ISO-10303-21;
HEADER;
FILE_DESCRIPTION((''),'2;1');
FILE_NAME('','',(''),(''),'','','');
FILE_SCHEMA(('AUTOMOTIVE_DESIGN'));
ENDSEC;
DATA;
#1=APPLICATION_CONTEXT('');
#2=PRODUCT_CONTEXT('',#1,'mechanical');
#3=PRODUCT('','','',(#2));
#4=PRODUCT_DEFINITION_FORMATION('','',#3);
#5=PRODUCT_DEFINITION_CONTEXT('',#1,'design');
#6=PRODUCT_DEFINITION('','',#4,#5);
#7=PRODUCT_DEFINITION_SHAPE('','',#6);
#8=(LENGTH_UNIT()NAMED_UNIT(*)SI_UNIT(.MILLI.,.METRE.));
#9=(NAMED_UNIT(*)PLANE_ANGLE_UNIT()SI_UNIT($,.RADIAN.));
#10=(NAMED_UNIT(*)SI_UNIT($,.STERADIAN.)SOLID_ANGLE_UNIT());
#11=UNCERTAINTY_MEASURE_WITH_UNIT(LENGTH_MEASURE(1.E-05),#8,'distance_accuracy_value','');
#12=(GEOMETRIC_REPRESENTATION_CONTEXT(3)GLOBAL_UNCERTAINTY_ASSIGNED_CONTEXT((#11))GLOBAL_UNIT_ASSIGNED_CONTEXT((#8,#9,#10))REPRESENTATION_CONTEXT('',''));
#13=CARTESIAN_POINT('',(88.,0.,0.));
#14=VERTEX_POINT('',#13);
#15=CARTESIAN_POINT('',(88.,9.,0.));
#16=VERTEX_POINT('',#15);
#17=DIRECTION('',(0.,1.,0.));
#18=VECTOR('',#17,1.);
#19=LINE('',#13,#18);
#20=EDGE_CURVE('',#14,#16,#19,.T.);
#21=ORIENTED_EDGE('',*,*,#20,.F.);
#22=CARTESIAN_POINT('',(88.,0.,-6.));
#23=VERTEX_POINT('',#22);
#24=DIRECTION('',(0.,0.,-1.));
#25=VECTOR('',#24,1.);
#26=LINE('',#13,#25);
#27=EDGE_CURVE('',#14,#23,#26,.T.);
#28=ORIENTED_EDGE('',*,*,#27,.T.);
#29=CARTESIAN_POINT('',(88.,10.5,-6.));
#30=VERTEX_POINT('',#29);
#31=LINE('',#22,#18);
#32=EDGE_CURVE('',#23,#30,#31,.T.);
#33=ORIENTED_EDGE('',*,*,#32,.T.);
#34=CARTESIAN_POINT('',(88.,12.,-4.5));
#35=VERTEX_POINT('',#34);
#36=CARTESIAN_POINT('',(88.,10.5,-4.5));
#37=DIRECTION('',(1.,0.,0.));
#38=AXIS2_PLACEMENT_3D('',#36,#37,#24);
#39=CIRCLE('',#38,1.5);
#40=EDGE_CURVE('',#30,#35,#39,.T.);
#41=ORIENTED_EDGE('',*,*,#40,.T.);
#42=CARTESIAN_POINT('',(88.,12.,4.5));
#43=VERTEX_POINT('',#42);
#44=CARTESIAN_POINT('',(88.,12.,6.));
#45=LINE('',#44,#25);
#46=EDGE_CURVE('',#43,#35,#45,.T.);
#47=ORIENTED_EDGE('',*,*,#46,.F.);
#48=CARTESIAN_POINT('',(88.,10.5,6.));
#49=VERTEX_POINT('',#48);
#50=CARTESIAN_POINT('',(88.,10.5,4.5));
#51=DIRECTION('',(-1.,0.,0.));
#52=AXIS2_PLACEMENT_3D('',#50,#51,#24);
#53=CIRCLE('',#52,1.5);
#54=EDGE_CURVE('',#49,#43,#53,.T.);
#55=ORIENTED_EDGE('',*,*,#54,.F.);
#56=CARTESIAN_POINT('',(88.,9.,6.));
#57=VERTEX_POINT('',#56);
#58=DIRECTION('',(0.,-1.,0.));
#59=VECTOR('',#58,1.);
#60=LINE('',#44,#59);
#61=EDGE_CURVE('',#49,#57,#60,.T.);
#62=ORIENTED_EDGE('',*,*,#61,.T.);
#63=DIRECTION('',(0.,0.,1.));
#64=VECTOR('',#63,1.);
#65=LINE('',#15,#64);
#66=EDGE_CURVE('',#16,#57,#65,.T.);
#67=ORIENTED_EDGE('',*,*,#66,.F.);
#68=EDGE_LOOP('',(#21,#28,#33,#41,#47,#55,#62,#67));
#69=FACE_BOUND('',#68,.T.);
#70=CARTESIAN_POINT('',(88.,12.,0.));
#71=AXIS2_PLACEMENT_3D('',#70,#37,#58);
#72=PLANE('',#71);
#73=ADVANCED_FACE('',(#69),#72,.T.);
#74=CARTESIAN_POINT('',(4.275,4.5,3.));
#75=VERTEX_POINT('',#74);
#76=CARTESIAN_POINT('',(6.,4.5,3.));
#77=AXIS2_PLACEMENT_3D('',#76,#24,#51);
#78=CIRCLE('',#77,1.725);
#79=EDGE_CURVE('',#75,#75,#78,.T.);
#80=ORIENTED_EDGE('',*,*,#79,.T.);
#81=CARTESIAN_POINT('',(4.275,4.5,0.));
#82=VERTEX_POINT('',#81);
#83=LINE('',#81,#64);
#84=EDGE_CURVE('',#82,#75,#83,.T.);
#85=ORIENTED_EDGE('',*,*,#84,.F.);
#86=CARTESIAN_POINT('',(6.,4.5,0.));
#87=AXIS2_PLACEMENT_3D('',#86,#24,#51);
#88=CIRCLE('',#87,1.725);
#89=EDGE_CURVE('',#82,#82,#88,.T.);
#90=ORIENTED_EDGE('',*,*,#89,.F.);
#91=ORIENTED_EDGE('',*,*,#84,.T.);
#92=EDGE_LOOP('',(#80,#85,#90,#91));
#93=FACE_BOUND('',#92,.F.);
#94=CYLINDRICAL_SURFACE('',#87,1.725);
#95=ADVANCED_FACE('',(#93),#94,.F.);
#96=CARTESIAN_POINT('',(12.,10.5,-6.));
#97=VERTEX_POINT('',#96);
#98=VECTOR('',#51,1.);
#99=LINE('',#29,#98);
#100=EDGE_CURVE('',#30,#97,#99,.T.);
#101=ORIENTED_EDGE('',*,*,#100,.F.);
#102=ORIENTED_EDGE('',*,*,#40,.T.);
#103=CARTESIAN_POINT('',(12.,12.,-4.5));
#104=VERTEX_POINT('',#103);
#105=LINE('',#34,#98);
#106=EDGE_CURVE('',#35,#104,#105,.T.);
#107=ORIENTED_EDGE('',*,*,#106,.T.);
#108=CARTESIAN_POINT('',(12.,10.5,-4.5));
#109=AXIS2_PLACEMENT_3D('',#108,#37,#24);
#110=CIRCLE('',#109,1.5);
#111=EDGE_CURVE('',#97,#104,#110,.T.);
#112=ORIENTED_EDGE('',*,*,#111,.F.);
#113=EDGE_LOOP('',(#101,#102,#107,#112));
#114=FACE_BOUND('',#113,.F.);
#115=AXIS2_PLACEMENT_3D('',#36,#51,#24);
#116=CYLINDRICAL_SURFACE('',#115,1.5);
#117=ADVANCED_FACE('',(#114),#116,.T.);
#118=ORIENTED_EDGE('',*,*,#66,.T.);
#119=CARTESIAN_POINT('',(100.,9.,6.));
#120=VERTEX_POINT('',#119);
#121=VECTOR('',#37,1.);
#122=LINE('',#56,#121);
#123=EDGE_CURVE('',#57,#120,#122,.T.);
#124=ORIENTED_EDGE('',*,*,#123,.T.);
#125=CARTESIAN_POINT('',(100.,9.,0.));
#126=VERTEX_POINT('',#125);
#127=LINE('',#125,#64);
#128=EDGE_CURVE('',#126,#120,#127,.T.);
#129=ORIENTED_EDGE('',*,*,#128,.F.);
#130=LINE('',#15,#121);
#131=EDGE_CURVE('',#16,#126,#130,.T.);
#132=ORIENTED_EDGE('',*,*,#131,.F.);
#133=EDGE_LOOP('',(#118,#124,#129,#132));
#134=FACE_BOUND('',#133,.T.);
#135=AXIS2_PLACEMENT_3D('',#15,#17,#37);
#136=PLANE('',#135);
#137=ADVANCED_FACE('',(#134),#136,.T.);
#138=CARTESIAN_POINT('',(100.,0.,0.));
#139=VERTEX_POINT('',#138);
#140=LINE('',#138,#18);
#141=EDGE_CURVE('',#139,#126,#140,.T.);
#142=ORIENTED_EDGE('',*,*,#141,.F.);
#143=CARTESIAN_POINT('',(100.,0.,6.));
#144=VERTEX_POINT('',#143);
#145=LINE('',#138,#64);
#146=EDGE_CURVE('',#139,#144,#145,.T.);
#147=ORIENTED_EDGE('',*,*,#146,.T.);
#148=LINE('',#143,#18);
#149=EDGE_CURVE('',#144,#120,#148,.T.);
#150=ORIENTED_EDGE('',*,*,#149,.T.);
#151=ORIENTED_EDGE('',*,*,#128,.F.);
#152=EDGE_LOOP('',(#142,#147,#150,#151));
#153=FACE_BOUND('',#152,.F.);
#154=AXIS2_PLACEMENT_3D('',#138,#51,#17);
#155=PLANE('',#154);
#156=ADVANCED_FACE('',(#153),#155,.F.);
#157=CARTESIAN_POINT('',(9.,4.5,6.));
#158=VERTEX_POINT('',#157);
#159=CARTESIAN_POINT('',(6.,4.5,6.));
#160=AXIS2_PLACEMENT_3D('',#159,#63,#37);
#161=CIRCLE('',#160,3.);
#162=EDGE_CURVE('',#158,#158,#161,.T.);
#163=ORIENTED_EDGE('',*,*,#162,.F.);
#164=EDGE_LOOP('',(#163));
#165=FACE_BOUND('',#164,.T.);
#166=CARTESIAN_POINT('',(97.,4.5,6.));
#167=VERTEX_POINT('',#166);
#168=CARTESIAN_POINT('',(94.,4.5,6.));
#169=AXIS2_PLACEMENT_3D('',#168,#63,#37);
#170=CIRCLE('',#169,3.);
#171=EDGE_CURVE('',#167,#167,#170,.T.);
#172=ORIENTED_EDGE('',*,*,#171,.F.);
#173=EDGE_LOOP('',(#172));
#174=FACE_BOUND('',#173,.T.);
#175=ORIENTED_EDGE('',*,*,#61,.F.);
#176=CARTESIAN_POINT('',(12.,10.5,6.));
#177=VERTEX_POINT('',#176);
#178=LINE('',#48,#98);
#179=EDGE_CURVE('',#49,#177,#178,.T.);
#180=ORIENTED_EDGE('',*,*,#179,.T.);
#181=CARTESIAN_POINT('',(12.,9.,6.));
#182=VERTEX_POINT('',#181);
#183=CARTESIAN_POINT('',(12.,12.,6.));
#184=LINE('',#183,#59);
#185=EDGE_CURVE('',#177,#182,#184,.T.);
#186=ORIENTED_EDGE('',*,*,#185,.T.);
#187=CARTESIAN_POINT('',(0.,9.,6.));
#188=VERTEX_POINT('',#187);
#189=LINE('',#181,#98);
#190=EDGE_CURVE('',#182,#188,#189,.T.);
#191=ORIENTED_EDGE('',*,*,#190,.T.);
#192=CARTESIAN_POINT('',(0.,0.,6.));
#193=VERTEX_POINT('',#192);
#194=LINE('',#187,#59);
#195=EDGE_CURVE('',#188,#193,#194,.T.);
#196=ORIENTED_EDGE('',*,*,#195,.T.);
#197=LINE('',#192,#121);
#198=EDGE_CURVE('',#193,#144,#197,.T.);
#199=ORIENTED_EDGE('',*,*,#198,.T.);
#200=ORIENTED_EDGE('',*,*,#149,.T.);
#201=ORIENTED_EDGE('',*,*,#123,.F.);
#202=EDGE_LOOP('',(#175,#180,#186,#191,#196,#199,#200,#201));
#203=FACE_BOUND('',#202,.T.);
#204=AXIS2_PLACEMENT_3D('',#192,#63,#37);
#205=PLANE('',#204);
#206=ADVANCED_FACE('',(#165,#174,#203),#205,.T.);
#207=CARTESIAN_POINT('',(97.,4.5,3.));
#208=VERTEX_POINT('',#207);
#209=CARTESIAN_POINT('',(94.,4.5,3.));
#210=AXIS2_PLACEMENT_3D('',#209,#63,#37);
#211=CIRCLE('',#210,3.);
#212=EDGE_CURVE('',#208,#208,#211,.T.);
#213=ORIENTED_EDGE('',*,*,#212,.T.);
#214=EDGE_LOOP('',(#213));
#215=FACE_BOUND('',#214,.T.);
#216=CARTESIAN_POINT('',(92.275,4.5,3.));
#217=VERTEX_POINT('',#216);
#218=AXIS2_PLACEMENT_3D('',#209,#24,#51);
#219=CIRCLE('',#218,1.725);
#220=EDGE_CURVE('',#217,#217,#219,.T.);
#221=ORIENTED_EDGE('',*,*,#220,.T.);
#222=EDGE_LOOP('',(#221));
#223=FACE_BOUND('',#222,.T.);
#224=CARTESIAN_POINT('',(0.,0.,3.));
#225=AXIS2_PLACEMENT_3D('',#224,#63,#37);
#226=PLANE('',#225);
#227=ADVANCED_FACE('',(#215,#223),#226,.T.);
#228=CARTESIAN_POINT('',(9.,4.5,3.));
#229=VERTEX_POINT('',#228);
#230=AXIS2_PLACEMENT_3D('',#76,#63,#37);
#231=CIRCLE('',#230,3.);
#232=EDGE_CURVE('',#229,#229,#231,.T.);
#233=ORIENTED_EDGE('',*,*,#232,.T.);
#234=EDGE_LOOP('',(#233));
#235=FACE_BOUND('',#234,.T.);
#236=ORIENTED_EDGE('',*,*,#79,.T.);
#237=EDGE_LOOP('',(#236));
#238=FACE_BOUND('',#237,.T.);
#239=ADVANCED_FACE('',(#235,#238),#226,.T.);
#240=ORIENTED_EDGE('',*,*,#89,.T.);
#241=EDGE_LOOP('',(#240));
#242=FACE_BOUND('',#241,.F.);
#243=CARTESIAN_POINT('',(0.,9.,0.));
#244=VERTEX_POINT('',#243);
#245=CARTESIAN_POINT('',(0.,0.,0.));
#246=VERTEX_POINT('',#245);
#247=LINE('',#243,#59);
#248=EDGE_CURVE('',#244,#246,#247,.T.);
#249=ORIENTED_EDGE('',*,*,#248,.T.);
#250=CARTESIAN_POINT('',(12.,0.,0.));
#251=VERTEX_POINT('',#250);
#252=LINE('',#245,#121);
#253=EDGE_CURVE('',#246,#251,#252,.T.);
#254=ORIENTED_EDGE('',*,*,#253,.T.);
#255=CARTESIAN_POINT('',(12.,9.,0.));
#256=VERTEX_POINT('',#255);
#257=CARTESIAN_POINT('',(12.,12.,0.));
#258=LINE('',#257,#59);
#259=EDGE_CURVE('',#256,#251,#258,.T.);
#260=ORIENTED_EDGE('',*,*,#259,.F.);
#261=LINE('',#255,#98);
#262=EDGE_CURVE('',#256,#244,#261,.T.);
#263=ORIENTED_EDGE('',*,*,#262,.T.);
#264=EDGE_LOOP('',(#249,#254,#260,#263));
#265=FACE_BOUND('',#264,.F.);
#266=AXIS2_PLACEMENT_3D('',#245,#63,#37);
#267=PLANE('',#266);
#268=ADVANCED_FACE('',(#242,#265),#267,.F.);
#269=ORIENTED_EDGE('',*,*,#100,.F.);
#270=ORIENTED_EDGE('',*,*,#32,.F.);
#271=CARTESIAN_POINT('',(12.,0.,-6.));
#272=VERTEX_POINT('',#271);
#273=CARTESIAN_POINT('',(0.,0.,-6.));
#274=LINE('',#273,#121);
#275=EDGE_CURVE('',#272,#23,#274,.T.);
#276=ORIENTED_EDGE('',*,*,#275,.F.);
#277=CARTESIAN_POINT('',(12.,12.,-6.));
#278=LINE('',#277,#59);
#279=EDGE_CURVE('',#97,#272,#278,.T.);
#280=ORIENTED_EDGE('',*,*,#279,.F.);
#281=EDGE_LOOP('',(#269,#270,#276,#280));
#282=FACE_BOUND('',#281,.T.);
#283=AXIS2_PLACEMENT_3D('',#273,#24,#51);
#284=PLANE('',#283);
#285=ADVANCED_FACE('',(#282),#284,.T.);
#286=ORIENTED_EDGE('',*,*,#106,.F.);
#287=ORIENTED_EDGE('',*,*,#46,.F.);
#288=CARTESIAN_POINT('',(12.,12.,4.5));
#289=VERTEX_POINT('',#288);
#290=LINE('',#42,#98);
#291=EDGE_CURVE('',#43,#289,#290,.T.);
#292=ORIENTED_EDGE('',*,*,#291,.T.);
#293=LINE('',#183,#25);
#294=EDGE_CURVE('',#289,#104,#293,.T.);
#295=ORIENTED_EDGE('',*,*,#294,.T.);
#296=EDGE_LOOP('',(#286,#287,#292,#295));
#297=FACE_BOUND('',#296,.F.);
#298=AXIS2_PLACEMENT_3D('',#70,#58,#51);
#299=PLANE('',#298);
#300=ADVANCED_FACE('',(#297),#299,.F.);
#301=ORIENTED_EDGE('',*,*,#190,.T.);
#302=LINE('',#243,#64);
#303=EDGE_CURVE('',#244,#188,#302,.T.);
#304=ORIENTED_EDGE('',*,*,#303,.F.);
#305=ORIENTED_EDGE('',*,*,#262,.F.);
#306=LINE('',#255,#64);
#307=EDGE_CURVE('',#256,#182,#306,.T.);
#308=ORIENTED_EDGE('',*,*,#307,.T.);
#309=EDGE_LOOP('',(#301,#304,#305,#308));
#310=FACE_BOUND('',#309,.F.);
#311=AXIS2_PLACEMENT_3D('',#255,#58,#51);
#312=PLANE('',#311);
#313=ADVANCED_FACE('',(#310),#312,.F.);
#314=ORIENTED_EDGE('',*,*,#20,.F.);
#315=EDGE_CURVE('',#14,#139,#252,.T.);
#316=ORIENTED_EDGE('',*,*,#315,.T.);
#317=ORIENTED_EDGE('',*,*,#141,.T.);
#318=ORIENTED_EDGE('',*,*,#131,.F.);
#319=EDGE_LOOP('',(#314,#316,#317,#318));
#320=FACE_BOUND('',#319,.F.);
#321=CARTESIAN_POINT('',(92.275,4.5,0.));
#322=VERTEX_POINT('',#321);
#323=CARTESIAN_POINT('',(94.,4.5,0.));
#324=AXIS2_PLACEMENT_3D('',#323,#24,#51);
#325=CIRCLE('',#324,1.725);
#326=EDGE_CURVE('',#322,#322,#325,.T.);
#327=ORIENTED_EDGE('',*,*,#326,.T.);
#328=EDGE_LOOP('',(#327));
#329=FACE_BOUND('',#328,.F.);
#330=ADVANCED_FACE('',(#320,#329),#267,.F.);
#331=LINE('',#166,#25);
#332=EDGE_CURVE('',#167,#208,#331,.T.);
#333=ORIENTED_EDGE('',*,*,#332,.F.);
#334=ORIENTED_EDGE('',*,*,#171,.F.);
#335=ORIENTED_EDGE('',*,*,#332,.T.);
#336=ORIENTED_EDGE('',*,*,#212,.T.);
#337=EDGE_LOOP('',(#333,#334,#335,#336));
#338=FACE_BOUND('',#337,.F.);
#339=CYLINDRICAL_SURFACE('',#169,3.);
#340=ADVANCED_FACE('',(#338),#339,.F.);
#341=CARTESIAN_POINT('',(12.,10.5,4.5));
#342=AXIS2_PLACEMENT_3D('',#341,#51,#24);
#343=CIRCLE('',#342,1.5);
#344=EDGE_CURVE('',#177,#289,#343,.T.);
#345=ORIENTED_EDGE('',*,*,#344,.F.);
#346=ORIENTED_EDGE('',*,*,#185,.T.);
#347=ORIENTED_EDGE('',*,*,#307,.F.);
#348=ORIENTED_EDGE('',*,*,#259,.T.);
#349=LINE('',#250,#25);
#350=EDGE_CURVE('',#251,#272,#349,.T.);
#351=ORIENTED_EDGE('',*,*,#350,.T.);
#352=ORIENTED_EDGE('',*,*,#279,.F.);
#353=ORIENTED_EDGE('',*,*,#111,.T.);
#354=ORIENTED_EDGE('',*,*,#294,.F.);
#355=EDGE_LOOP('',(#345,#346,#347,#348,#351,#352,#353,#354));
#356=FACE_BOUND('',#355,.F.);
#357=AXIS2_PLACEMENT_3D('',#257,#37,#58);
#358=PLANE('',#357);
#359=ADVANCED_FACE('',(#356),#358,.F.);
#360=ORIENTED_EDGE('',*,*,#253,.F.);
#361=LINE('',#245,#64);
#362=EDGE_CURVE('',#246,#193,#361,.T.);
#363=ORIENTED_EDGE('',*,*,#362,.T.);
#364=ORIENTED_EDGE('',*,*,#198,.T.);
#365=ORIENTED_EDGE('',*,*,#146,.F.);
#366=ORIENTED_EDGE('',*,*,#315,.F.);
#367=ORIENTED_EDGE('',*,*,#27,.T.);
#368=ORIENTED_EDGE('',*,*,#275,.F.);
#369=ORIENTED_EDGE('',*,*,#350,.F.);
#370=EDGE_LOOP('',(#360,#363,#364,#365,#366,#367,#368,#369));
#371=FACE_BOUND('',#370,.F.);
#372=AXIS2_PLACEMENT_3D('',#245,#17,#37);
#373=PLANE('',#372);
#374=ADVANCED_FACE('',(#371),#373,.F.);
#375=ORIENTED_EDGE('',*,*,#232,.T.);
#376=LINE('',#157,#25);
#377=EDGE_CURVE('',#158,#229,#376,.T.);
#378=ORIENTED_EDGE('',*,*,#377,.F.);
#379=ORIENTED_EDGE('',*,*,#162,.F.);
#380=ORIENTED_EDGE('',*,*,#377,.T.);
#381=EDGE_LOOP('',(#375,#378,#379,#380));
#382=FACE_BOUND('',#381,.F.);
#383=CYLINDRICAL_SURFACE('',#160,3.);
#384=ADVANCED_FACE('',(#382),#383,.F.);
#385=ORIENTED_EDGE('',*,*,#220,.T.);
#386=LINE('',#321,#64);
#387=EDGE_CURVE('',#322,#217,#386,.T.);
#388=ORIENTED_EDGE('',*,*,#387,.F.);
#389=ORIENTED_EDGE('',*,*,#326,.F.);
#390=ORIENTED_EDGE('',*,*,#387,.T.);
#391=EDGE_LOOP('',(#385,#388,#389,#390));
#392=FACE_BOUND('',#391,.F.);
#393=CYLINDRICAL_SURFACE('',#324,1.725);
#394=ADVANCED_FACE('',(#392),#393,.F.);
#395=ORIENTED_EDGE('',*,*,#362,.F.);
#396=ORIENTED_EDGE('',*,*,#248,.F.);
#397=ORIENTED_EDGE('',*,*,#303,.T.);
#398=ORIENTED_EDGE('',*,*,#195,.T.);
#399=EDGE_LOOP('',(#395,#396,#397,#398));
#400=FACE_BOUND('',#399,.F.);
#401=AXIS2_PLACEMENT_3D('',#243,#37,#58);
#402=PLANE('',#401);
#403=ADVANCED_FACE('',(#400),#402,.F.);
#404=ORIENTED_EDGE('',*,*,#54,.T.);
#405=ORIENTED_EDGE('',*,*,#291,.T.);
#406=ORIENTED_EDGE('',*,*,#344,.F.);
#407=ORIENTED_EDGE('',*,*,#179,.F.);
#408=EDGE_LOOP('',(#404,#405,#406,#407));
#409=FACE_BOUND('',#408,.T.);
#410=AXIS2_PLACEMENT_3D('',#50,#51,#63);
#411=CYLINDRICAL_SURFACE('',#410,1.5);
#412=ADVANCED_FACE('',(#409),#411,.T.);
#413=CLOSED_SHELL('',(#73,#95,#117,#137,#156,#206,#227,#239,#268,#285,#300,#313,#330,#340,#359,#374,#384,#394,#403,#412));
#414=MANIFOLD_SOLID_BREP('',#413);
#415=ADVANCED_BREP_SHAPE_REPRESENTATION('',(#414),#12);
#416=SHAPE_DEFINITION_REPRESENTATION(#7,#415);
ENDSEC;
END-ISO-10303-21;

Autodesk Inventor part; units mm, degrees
ref_plane "YZ Plane" through (0, 0, 0) normal (1, 0, 0) x (0, 1, 0)
ref_plane "XZ Plane" through (0, 0, 0) normal (0, 1, 0) x (-1, 0, 0)
ref_plane "XY Plane" through (0, 0, 0) normal (0, 0, 1) x (1, 0, 0)
sketch "Sketch1" plane through (0, 0, 0) normal (0, 0, 1) x (1, 0, 0)
  line L0 (0, 0) -> (100, 0)
  line L1 (100, 0) -> (100, 9)
  line L2 (88, 12) -> (12, 12)
  line L3 (0, 9) -> (0, 0)
  line L4 (12, 12) -> (12, 9)
  line L5 (12, 9) -> (0, 9)
  line L6 (88, 12) -> (88, 9)
  line L7 (88, 9) -> (100, 9)
  dimension "d6" = 100
  dimension "d7" = 3
  dimension "d8" = 3
  dimension "d9" = 12
  dimension "d10" = 12
  dimension "d11" = 9
  dimension "d12" = 9
  dimension "d13" = 12
extrude "Extrusion1" add sketch "Sketch1" along normal blind 6
sketch "Sketch2" plane through (0, 0, 0) normal (0, 0, -1) x (-1, 0, 0)
  line L0 (-88, 12) -> (-12, 12) projected
  line L1 (0, 0) -> (-100, 0) projected
  line L2 (-88, 12) -> (-12, 12)
  line L3 (-12, 12) -> (-12, 0)
  line L4 (-12, 0) -> (-88, 0)
  line L5 (-88, 0) -> (-88, 12)
extrude "Extrusion2" add sketch "Sketch2" along normal blind 6
sketch "Sketch3" plane through (0, 0, 0) normal (0, 0, -1) x (-1, 0, 0)
  circle A0 centre (-6, 4.5) radius 1.725
  line L0 (-12, 9) -> (0, 9) projected
  line L1 (0, 9) -> (0, 0) projected
  circle A1 centre (-94, 4.5) radius 1.725
  line L2 (-88, 0) -> (-100, 0) projected
  line L3 (-100, 0) -> (-100, 9) projected
  dimension "d18" = 3.45
  dimension "d19" = 4.5
  dimension "d20" = 6
  dimension "d21" = 3.45
  dimension "d22" = 4.5
  dimension "d23" = 6
extrude "Extrusion3" cut sketch "Sketch3" against normal blind 3
sketch "Sketch4" plane through (0, 0, 6) normal (0, 0, 1) x (1, 0, 0)
  circle A0 centre (6, 4.5) radius 3
  line L0 (12, 9) -> (0, 9) projected
  line L1 (0, 9) -> (0, 0) projected
  circle A1 centre (94, 4.5) radius 1.725 projected
  circle A2 centre (94, 4.5) radius 3
  dimension "d26" = 6
  dimension "d27" = 4.5
  dimension "d28" = 6
  dimension "d29" = 6
extrude "Extrusion4" cut sketch "Sketch4" against normal blind 3 contours A0 | A1 | A2
fillet "Fillet1" radius 1.5 2 edges at (50, 12, 6) (50, 12, -6)
equation "\"d8\" = d7"
equation "\"d10\" = d9"
equation "\"d12\" = d11"
properties part number "beam10cm"
